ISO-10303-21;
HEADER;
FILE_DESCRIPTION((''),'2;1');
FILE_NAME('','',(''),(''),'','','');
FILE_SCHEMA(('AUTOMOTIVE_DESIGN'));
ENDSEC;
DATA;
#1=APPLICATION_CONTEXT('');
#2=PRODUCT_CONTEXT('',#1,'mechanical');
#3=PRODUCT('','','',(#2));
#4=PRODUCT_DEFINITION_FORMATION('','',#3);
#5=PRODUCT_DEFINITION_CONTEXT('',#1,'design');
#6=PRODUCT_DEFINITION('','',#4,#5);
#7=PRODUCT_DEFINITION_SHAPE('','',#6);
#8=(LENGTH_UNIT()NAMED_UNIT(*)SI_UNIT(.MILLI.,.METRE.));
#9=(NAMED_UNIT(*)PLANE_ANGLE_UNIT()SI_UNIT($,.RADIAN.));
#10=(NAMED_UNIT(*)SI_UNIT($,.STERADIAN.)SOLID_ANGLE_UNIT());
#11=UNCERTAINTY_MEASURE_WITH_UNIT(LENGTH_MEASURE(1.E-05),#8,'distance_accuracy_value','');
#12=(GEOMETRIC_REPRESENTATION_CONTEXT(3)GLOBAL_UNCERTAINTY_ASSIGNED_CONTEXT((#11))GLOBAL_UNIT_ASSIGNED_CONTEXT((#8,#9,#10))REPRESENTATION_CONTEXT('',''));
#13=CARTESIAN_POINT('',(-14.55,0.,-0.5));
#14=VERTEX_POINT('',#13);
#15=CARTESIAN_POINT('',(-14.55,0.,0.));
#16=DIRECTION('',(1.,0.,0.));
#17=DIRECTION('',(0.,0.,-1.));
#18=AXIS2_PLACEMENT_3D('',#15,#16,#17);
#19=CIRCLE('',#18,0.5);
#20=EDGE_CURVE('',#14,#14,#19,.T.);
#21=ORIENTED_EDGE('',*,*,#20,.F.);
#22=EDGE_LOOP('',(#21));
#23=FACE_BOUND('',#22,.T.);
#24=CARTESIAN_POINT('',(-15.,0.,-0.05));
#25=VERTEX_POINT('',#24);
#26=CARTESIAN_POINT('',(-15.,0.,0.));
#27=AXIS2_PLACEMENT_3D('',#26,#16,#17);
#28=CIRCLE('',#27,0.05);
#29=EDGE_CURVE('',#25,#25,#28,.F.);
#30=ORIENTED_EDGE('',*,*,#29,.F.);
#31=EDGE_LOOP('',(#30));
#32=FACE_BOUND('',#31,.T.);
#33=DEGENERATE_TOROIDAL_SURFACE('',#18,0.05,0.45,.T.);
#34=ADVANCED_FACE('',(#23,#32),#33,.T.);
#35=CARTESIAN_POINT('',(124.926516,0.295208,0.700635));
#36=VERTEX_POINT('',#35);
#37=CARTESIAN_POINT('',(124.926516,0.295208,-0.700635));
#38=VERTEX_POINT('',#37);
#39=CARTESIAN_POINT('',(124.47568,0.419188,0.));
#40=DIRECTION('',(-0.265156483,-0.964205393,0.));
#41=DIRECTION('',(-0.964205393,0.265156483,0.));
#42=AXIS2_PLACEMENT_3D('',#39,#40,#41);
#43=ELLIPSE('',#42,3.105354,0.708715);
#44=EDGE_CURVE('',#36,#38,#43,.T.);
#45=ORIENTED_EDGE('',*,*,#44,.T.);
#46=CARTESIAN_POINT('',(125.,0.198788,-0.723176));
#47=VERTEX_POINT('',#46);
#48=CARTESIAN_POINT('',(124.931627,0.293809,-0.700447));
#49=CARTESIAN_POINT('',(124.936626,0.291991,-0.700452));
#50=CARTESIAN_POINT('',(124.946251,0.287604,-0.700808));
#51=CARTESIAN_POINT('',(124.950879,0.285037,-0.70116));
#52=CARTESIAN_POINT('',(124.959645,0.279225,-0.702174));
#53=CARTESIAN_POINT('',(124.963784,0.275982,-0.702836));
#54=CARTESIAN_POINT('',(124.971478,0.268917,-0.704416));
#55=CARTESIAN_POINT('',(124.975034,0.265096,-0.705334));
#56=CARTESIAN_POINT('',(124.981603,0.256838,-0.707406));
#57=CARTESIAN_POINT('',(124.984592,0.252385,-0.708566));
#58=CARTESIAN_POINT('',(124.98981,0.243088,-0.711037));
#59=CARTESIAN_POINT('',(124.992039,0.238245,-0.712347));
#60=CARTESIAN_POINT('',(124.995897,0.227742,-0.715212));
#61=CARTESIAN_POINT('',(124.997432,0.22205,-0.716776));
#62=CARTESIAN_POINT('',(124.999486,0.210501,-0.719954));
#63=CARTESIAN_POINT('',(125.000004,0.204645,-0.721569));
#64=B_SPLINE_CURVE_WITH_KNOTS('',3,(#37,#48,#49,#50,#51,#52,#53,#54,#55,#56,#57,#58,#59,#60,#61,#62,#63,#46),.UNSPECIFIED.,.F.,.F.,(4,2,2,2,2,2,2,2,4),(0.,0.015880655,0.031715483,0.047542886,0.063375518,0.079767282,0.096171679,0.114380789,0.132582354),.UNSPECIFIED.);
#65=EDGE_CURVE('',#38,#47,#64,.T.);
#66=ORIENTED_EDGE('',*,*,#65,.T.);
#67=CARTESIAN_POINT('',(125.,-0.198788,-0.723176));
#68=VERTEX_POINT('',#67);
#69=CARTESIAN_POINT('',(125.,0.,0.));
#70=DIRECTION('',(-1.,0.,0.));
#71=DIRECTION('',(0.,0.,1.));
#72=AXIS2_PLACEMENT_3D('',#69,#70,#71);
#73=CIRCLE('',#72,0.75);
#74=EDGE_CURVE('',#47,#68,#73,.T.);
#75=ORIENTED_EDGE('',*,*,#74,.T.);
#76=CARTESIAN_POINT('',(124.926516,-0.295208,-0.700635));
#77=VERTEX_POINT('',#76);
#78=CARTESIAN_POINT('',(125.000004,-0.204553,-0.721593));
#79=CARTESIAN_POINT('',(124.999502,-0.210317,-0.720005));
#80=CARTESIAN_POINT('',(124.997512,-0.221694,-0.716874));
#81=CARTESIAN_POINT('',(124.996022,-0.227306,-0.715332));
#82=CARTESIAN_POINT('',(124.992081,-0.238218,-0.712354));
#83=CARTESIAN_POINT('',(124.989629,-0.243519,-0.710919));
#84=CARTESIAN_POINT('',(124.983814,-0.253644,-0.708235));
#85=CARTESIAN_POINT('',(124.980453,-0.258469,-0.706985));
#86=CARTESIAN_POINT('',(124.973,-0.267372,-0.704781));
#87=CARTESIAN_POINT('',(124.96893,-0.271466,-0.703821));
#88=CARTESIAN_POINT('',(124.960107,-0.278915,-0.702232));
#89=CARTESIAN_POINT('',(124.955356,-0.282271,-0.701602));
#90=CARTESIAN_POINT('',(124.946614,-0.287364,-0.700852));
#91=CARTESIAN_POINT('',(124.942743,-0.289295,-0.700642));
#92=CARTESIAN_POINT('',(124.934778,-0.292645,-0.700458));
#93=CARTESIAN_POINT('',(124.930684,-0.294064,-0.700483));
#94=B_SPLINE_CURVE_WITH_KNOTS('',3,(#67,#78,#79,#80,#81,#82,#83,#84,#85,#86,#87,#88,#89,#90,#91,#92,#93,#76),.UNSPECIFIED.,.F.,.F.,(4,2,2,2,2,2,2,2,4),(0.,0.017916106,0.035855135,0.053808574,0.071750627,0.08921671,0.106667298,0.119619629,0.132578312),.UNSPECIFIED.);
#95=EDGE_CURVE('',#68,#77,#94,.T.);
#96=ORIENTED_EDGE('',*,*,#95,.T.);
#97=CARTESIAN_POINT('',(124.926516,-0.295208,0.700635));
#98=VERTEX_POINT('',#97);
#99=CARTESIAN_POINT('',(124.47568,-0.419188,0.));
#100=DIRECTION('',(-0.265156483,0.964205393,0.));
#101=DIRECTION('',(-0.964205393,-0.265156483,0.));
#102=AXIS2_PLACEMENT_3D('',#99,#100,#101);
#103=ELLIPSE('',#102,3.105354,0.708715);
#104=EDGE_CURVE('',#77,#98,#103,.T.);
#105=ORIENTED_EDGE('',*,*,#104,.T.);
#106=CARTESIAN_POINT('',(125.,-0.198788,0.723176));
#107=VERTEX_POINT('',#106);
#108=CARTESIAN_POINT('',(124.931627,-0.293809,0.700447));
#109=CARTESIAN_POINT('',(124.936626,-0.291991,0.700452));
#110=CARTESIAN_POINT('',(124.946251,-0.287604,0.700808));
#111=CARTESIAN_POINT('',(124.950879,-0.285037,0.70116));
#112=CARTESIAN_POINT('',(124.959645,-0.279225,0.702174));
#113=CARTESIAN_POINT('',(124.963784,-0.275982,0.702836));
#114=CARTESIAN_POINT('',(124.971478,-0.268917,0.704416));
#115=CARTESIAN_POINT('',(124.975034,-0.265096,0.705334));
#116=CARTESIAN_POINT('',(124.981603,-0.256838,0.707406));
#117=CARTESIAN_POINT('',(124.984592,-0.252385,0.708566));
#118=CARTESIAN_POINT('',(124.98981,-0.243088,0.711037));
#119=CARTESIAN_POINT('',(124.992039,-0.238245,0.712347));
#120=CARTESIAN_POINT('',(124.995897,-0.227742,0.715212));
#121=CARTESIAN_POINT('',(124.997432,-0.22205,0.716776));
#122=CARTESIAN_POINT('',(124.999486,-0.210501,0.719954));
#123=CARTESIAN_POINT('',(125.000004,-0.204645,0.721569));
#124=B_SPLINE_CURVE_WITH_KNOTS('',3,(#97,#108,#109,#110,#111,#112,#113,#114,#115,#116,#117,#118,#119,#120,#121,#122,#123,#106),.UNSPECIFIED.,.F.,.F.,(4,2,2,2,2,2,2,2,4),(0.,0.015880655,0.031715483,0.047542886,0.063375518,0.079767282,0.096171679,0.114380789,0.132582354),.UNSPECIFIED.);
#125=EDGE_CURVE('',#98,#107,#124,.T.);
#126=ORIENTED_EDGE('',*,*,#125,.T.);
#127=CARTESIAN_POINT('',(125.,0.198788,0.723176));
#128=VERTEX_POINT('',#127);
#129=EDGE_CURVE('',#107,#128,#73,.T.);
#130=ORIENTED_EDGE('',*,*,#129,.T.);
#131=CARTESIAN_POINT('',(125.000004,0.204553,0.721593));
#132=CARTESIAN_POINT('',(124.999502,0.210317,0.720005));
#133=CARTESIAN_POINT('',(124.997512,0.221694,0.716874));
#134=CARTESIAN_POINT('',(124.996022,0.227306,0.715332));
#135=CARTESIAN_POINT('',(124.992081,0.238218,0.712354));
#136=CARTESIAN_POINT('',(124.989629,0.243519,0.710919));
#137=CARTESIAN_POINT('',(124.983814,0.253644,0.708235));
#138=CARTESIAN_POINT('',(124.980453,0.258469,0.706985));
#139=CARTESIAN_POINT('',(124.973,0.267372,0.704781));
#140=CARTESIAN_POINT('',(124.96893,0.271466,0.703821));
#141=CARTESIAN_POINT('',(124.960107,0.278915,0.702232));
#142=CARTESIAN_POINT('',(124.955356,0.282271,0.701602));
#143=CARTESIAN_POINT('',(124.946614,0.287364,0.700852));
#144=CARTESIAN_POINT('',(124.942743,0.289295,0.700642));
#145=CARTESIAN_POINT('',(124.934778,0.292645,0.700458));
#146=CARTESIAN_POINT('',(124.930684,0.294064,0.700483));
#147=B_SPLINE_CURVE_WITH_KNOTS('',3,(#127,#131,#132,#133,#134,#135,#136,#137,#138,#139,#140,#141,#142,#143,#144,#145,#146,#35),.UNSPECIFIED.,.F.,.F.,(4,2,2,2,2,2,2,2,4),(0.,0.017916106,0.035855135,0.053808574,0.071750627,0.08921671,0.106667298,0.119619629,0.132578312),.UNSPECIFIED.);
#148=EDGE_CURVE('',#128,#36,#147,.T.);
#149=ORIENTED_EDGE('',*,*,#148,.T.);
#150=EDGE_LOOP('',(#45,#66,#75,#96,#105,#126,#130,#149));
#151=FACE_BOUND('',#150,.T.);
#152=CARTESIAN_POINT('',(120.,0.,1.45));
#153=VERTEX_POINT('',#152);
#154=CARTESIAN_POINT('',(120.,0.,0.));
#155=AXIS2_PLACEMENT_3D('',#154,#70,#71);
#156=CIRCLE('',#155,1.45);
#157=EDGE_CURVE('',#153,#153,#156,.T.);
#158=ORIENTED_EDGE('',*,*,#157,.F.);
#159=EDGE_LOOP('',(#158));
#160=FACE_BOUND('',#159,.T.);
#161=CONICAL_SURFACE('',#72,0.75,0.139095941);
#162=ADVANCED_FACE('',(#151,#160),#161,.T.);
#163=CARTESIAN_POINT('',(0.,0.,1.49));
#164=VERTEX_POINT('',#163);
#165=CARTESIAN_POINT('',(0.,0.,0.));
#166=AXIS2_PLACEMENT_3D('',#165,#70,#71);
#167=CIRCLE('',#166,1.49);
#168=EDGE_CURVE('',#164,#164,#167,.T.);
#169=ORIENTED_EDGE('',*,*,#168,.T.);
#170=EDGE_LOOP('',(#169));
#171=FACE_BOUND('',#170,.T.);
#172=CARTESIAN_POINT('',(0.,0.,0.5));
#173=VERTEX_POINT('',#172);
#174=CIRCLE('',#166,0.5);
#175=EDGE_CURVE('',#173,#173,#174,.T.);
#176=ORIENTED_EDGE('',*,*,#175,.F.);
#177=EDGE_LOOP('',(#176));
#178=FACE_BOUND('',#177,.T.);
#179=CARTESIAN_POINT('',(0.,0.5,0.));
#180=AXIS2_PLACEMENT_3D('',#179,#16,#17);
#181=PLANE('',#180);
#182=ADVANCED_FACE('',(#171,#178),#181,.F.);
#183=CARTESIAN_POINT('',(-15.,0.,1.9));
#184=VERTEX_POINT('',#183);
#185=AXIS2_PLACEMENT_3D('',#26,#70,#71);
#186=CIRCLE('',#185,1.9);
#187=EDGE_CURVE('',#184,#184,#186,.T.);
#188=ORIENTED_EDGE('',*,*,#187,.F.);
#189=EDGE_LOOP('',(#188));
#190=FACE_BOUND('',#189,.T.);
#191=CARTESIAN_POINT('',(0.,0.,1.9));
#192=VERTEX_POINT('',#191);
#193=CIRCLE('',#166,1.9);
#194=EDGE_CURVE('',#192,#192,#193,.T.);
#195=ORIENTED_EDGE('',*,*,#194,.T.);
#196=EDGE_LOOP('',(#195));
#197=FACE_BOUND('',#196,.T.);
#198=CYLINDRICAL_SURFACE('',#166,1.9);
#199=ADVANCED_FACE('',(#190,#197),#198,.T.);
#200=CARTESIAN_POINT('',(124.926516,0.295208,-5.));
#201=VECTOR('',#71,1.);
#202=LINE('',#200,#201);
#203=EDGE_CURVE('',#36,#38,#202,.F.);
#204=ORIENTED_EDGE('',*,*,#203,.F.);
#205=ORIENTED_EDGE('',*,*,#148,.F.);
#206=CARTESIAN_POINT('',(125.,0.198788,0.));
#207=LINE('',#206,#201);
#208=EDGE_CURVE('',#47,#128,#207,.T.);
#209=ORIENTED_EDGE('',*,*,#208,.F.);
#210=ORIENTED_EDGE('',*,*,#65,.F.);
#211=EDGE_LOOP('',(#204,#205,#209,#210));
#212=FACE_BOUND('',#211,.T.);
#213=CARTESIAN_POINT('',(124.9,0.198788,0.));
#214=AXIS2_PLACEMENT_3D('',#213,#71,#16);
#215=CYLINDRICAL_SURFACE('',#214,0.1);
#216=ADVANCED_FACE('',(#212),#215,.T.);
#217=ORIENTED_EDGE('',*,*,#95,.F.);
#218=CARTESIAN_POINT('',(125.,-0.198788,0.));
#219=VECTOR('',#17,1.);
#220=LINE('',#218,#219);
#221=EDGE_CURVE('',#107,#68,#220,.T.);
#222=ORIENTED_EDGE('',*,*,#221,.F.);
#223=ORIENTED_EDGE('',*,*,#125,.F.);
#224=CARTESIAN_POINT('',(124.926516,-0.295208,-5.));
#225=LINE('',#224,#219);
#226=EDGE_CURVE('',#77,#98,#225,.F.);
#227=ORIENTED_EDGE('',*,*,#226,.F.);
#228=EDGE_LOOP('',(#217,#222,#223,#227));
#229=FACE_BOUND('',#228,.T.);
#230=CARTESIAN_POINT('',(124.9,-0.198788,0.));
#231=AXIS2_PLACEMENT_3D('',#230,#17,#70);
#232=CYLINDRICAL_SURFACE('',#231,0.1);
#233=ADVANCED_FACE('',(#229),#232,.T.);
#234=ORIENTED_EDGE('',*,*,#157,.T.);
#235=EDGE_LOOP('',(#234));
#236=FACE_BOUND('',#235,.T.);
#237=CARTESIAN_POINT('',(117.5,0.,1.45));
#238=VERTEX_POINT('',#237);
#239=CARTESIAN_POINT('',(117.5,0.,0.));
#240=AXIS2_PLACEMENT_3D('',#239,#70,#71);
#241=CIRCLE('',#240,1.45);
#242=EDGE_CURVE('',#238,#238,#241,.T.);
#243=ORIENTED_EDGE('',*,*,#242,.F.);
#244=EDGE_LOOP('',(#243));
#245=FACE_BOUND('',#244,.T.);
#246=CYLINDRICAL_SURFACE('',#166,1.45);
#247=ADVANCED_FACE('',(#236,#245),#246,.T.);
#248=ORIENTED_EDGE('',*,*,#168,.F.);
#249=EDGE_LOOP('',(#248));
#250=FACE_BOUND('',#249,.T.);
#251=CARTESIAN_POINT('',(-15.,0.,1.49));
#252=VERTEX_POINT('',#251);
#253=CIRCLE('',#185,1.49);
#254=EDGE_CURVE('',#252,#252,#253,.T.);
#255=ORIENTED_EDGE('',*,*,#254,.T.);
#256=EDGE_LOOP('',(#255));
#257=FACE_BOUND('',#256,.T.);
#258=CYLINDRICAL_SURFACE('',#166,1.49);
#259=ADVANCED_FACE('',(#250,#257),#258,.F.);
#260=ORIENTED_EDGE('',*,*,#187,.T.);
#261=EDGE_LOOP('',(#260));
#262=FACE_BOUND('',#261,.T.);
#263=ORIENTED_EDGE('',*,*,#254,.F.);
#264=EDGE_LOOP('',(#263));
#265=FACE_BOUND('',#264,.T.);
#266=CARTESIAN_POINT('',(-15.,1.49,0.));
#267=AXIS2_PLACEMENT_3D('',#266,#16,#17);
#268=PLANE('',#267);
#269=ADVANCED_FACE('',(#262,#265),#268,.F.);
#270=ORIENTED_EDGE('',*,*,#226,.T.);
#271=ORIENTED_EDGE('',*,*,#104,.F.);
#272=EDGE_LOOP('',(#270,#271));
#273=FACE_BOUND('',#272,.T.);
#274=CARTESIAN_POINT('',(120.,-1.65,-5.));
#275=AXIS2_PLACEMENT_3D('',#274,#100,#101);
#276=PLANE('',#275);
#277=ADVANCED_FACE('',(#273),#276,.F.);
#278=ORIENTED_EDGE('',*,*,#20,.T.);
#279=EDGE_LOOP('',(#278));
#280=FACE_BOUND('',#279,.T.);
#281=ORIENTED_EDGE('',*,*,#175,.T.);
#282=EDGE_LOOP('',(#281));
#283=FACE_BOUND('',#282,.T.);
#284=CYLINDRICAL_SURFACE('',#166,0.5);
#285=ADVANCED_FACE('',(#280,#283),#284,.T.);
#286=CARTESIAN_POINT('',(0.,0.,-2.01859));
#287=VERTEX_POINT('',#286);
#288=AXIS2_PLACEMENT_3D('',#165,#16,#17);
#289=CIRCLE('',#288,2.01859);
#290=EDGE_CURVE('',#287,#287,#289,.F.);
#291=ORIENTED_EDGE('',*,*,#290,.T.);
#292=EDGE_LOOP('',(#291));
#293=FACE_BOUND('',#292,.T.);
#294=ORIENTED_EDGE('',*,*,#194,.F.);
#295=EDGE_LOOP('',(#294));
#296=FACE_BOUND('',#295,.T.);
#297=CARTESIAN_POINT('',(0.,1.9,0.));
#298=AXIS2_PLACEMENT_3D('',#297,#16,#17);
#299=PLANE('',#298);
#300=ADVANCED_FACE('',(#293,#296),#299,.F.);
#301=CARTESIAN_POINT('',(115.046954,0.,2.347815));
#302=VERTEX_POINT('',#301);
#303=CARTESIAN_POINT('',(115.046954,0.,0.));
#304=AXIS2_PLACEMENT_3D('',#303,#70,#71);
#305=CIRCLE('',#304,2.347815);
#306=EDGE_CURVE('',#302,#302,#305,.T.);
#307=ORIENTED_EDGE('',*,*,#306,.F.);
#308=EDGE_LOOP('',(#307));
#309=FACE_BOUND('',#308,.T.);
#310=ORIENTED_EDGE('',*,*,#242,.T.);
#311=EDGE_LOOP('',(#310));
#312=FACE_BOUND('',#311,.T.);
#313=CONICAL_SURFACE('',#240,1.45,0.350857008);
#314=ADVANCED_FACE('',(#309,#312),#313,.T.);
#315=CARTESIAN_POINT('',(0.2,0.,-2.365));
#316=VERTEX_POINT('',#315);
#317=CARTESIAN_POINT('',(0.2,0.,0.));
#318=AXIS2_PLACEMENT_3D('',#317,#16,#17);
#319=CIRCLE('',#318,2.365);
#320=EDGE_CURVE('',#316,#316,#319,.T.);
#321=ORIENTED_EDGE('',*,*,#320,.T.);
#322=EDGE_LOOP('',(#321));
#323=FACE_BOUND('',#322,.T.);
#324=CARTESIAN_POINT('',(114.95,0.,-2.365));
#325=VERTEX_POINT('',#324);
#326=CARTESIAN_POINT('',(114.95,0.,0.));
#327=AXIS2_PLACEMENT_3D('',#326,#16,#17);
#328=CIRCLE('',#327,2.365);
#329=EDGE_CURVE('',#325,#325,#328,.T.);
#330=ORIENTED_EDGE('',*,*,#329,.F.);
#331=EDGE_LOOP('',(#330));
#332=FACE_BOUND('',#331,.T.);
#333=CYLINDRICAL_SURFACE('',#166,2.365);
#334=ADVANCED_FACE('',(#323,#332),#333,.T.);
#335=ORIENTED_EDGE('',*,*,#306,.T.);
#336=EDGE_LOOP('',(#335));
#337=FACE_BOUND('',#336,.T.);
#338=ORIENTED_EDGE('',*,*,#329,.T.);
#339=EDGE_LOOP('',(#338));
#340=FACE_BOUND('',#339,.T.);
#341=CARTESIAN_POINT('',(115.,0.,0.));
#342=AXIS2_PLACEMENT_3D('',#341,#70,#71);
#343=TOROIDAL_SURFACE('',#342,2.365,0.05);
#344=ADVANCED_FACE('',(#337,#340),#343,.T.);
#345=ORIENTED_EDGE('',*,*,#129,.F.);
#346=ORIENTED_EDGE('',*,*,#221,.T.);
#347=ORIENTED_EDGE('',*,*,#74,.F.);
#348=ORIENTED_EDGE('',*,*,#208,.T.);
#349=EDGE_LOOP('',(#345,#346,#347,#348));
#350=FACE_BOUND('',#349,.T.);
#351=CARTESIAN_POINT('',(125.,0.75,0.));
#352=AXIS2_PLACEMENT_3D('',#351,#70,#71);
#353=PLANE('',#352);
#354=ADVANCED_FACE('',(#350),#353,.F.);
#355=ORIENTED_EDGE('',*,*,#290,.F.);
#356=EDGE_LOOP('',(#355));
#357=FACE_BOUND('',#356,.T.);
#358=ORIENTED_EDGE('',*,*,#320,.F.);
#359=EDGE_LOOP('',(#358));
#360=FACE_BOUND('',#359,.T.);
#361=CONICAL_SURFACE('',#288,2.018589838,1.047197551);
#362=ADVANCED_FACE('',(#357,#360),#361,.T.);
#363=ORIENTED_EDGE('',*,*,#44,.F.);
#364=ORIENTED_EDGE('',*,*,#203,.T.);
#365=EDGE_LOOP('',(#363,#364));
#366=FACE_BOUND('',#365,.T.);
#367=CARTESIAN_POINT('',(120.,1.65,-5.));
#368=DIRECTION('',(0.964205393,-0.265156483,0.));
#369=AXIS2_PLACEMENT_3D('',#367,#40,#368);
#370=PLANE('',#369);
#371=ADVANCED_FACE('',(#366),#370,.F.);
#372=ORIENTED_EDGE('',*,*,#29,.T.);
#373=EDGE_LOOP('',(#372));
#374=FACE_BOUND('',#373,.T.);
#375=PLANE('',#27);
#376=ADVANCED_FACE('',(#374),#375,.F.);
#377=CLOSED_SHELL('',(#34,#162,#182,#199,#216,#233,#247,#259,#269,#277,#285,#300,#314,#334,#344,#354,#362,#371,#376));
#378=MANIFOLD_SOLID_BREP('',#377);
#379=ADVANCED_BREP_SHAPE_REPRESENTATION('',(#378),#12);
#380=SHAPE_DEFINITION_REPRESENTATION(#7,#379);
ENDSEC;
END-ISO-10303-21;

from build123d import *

# Parameters (mm, degrees)
FILLET1_R          = 0.45
CHAMFER1_SIZE      = 0.2
CHAMFER1_SIZE2     = 0.346410162
SKETCH2_R          = 0.05
CUT_EXTRUDE1_DEPTH = 5
FILLET3_R          = 0.1


with BuildPart() as part:
    # Sketch1 → Revolve1 (revolve)
    with BuildSketch(Plane.XY, mode=Mode.PRIVATE) as revolve1_sk:
        Polygon((0, 0), (-15, 0), (-15, 0.5), (0, 0.5), (0, 1.49), (-15, 1.49), (-15, 1.9), (0, 1.9), (0, 2.365), (115, 2.365), (117.5, 1.45), (120, 1.45), (125, 0.75), (125, 0), align=None)
    revolve(revolve1_sk.sketch.rotate(Axis((0, 0, 0), (1, 0, 0)), 90), axis=Axis((0, 0, 0), (1, 0, 0)))

    # Fillet1
    fillet1_edges = [part.edges().sort_by_distance(p)[0] for p in [
        (-15, 0, -0.5),
    ]]
    fillet(fillet1_edges, radius=FILLET1_R)

    # Chamfer1
    chamfer1_edges = [part.edges().sort_by_distance(p)[0] for p in [
        (0, 0, -2.365),
    ]]
    chamfer1_side = [part.faces().sort_by_distance(p)[0] for p in [
        (57.5, 0, -2.365),
    ]]
    chamfer(chamfer1_edges, length=CHAMFER1_SIZE, length2=CHAMFER1_SIZE2, reference=chamfer1_side[0])

    # Sketch2 → Revolve2 (revolve)
    with BuildSketch(Plane.XY, mode=Mode.PRIVATE) as revolve2_sk:
        with Locations((115, 2.365)):
            Circle(SKETCH2_R)
    revolve(revolve2_sk.sketch.rotate(Axis((0, 0, 0), (1, 0, 0)), 270), axis=Axis((0, 0, 0), (1, 0, 0)))

    # Sketch3 → Cut-Extrude1 (cut, symmetric)
    with BuildSketch(Plane.XY):
        Polygon((120, 1.65), (126, 0), (120, -1.65), (129.159329982, -1.65), (129.159329982, 1.65), align=None)
    extrude(amount=CUT_EXTRUDE1_DEPTH, both=True, mode=Mode.SUBTRACT)

    # Fillet3
    fillet3_edges = [part.edges().sort_by_distance(p)[0] for p in [
        (125, -0.275, 0),
        (125, 0.275, 0),
    ]]
    fillet(fillet3_edges, radius=FILLET3_R)


solid = part.part
